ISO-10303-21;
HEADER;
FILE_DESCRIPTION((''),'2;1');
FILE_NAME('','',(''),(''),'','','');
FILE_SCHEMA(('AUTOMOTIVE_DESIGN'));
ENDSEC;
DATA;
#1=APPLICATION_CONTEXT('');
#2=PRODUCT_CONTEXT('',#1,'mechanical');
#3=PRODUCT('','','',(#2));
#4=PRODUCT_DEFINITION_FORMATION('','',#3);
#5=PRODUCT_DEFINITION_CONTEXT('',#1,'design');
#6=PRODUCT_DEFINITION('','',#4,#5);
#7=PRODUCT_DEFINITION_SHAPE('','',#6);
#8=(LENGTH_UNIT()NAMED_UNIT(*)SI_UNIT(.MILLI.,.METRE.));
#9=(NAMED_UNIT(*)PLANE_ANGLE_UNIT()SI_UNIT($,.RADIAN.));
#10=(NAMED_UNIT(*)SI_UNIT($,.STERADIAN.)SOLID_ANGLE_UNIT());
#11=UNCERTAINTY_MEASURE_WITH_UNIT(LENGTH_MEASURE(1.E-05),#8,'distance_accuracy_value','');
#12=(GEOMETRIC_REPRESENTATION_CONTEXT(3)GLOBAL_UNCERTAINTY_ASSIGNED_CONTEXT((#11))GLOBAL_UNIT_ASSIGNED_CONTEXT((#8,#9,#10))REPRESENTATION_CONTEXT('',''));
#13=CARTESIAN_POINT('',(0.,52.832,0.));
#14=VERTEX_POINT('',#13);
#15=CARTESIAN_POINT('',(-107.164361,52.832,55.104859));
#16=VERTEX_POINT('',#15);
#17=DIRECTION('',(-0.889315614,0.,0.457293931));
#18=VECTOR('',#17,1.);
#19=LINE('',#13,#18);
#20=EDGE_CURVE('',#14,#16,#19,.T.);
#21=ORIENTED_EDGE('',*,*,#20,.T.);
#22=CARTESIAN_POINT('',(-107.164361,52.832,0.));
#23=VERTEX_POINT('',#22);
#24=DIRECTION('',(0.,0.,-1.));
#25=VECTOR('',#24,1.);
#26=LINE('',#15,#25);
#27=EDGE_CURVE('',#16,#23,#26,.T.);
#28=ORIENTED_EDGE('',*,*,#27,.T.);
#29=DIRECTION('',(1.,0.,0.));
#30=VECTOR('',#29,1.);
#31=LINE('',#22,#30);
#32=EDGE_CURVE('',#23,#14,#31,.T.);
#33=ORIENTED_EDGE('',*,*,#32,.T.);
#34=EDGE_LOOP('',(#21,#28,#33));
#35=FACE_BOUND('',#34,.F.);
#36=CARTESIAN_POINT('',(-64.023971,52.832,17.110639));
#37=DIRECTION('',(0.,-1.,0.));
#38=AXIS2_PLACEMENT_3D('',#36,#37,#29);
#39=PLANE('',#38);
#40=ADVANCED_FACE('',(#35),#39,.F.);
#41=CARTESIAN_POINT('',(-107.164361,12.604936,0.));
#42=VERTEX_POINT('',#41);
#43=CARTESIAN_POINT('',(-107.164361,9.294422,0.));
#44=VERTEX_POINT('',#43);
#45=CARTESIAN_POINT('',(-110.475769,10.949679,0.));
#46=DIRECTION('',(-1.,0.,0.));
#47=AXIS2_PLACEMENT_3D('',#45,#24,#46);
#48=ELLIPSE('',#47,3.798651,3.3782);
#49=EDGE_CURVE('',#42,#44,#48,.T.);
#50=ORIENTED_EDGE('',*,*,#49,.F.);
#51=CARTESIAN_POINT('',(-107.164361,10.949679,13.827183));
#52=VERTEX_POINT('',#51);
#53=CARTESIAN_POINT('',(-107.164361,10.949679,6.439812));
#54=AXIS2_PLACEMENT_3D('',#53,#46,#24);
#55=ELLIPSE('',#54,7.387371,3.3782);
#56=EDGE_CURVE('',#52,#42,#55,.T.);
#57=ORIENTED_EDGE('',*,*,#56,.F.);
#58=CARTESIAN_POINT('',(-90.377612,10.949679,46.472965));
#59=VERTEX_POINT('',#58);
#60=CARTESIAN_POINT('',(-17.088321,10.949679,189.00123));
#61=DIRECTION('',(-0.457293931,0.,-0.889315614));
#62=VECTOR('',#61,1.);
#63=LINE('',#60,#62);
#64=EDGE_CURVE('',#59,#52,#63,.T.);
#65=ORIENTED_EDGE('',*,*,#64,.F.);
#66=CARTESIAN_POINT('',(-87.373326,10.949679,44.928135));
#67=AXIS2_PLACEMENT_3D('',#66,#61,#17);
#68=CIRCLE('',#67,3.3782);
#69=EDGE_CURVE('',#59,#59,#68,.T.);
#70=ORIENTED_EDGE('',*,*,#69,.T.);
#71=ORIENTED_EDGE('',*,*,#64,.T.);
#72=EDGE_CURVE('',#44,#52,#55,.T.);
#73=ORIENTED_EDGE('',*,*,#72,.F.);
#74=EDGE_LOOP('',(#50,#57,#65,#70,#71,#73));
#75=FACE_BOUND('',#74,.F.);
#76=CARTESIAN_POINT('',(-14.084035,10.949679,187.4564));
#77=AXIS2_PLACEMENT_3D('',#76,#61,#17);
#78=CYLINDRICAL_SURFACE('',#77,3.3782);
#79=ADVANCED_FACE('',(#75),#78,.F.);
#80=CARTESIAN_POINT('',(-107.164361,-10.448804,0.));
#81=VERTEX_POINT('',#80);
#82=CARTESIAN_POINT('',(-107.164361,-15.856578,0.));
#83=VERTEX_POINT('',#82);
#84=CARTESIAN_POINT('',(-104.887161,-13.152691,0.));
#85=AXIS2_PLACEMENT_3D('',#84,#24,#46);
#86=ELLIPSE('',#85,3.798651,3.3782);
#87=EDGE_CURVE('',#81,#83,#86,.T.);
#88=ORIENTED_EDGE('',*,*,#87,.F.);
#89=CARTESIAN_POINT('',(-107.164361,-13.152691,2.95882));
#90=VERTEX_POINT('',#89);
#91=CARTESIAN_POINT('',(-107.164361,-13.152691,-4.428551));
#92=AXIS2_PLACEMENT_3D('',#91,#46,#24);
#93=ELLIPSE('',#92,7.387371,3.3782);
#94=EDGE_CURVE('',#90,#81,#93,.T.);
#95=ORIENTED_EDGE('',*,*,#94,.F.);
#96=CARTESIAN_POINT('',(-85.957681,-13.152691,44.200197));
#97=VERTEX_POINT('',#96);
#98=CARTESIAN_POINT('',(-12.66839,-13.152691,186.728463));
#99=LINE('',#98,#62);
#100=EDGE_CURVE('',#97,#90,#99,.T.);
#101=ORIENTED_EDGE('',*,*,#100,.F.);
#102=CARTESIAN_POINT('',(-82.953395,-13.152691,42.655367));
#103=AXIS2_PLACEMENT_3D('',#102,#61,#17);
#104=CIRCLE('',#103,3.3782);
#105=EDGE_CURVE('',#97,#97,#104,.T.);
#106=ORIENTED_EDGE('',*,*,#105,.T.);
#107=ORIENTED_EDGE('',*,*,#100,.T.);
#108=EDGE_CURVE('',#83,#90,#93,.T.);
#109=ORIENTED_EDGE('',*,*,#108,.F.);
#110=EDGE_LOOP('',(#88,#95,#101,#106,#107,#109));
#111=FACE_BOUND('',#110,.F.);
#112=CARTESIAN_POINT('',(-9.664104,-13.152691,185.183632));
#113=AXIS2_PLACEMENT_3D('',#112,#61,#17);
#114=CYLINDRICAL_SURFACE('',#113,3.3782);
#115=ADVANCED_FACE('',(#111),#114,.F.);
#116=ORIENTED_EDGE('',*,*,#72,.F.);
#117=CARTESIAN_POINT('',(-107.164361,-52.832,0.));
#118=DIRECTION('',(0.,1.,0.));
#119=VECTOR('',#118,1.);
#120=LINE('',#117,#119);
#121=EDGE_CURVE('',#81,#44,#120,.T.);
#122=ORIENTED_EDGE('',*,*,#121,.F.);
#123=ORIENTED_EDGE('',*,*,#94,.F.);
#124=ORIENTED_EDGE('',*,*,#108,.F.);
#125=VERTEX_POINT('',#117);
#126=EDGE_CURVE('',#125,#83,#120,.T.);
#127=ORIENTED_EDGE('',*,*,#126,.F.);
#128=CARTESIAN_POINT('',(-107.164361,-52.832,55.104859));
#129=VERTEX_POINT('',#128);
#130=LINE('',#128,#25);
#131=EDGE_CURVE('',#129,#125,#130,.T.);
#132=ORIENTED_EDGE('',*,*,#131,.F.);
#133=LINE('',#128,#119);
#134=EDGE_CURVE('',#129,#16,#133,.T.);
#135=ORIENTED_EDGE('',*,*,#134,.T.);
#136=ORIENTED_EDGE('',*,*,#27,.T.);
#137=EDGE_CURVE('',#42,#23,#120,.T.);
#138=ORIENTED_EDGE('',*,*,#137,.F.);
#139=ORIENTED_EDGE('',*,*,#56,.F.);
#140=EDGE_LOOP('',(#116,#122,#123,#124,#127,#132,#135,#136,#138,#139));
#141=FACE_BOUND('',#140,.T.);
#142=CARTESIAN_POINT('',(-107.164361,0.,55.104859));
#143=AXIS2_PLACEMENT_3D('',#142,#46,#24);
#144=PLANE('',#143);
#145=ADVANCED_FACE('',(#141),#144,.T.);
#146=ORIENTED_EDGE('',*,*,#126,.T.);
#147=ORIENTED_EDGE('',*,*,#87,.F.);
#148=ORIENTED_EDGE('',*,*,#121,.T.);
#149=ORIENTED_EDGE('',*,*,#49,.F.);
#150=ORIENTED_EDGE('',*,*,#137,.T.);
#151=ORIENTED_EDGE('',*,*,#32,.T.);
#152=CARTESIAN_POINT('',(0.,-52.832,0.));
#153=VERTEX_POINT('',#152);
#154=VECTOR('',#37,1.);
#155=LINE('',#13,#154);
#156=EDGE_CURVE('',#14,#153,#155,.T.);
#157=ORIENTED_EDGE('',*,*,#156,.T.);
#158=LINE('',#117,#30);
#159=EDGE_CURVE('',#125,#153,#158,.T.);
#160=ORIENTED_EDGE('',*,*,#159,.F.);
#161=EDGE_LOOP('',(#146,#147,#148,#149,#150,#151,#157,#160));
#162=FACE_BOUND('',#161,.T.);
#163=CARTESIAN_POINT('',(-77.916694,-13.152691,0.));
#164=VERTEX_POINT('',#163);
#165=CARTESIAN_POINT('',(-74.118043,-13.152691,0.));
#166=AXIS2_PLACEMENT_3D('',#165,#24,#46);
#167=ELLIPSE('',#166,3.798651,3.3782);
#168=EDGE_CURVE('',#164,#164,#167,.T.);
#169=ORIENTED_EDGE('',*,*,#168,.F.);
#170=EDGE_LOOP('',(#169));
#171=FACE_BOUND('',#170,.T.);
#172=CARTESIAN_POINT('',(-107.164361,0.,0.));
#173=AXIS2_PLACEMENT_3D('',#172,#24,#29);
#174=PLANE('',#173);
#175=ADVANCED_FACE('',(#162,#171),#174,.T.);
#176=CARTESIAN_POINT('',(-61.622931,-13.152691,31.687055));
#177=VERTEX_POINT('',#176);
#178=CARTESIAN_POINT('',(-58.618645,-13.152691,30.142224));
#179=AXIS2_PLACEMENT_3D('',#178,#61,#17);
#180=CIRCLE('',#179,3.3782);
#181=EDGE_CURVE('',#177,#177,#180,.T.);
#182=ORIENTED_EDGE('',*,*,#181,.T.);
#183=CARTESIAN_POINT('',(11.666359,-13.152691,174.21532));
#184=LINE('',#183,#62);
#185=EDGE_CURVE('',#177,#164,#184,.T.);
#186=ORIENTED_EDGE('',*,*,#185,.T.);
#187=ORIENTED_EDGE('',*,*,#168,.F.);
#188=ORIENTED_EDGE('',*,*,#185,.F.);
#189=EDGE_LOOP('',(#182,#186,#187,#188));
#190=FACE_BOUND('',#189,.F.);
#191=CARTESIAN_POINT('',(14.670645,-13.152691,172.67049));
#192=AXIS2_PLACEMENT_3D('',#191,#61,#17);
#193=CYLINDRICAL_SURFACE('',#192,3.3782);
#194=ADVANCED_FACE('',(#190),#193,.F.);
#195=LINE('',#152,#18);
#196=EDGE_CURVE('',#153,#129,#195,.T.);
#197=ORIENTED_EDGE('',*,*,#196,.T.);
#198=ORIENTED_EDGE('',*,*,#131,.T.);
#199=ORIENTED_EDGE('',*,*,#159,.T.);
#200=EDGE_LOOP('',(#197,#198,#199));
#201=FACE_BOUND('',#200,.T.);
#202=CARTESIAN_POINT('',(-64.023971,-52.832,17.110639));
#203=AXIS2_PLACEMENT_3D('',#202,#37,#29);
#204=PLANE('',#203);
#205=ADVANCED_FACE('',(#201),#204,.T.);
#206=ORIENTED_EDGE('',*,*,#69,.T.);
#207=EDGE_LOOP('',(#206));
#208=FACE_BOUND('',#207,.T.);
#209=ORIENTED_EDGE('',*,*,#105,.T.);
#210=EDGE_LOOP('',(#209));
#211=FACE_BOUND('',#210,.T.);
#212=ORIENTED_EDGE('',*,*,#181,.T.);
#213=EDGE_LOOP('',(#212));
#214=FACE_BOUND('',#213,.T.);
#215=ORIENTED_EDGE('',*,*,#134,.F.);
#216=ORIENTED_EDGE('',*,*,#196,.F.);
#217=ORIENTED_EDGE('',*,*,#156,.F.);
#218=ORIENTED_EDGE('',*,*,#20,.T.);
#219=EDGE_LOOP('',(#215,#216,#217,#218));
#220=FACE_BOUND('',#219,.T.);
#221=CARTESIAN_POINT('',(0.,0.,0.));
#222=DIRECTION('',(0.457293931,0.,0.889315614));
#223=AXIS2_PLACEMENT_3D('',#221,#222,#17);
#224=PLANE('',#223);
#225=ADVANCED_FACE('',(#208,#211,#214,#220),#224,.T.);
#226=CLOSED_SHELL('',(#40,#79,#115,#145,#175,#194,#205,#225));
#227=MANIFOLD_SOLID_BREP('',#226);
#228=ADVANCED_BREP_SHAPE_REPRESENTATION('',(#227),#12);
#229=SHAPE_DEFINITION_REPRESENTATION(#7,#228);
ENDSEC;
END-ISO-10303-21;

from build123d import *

# Parameters (mm, degrees)
F1_DEPTH = 52.832
F3_D     = 6.7564


with BuildPart() as f1:
    # F0 (on Front) → F1 (new body, symmetric)
    with BuildSketch(Plane.XZ):
        Polygon((-107.1643605828, 0), (0, 0), (-107.1643605828, 55.1048591733), align=None)
    extrude(amount=F1_DEPTH, both=True)

    # F3 (through all)
    with Locations(Plane(origin=(0, 0, 0), x_dir=(0.8893156139, 0, -0.4572939305), z_dir=(0.4572939305, 0, 0.8893156139))):
        with Locations((-98.2478260994, 10.949678719), (-93.2777896523, -13.1526906043), (-65.9143328667, -13.1526906043)):
            Hole(F3_D / 2)


solid = f1.part
